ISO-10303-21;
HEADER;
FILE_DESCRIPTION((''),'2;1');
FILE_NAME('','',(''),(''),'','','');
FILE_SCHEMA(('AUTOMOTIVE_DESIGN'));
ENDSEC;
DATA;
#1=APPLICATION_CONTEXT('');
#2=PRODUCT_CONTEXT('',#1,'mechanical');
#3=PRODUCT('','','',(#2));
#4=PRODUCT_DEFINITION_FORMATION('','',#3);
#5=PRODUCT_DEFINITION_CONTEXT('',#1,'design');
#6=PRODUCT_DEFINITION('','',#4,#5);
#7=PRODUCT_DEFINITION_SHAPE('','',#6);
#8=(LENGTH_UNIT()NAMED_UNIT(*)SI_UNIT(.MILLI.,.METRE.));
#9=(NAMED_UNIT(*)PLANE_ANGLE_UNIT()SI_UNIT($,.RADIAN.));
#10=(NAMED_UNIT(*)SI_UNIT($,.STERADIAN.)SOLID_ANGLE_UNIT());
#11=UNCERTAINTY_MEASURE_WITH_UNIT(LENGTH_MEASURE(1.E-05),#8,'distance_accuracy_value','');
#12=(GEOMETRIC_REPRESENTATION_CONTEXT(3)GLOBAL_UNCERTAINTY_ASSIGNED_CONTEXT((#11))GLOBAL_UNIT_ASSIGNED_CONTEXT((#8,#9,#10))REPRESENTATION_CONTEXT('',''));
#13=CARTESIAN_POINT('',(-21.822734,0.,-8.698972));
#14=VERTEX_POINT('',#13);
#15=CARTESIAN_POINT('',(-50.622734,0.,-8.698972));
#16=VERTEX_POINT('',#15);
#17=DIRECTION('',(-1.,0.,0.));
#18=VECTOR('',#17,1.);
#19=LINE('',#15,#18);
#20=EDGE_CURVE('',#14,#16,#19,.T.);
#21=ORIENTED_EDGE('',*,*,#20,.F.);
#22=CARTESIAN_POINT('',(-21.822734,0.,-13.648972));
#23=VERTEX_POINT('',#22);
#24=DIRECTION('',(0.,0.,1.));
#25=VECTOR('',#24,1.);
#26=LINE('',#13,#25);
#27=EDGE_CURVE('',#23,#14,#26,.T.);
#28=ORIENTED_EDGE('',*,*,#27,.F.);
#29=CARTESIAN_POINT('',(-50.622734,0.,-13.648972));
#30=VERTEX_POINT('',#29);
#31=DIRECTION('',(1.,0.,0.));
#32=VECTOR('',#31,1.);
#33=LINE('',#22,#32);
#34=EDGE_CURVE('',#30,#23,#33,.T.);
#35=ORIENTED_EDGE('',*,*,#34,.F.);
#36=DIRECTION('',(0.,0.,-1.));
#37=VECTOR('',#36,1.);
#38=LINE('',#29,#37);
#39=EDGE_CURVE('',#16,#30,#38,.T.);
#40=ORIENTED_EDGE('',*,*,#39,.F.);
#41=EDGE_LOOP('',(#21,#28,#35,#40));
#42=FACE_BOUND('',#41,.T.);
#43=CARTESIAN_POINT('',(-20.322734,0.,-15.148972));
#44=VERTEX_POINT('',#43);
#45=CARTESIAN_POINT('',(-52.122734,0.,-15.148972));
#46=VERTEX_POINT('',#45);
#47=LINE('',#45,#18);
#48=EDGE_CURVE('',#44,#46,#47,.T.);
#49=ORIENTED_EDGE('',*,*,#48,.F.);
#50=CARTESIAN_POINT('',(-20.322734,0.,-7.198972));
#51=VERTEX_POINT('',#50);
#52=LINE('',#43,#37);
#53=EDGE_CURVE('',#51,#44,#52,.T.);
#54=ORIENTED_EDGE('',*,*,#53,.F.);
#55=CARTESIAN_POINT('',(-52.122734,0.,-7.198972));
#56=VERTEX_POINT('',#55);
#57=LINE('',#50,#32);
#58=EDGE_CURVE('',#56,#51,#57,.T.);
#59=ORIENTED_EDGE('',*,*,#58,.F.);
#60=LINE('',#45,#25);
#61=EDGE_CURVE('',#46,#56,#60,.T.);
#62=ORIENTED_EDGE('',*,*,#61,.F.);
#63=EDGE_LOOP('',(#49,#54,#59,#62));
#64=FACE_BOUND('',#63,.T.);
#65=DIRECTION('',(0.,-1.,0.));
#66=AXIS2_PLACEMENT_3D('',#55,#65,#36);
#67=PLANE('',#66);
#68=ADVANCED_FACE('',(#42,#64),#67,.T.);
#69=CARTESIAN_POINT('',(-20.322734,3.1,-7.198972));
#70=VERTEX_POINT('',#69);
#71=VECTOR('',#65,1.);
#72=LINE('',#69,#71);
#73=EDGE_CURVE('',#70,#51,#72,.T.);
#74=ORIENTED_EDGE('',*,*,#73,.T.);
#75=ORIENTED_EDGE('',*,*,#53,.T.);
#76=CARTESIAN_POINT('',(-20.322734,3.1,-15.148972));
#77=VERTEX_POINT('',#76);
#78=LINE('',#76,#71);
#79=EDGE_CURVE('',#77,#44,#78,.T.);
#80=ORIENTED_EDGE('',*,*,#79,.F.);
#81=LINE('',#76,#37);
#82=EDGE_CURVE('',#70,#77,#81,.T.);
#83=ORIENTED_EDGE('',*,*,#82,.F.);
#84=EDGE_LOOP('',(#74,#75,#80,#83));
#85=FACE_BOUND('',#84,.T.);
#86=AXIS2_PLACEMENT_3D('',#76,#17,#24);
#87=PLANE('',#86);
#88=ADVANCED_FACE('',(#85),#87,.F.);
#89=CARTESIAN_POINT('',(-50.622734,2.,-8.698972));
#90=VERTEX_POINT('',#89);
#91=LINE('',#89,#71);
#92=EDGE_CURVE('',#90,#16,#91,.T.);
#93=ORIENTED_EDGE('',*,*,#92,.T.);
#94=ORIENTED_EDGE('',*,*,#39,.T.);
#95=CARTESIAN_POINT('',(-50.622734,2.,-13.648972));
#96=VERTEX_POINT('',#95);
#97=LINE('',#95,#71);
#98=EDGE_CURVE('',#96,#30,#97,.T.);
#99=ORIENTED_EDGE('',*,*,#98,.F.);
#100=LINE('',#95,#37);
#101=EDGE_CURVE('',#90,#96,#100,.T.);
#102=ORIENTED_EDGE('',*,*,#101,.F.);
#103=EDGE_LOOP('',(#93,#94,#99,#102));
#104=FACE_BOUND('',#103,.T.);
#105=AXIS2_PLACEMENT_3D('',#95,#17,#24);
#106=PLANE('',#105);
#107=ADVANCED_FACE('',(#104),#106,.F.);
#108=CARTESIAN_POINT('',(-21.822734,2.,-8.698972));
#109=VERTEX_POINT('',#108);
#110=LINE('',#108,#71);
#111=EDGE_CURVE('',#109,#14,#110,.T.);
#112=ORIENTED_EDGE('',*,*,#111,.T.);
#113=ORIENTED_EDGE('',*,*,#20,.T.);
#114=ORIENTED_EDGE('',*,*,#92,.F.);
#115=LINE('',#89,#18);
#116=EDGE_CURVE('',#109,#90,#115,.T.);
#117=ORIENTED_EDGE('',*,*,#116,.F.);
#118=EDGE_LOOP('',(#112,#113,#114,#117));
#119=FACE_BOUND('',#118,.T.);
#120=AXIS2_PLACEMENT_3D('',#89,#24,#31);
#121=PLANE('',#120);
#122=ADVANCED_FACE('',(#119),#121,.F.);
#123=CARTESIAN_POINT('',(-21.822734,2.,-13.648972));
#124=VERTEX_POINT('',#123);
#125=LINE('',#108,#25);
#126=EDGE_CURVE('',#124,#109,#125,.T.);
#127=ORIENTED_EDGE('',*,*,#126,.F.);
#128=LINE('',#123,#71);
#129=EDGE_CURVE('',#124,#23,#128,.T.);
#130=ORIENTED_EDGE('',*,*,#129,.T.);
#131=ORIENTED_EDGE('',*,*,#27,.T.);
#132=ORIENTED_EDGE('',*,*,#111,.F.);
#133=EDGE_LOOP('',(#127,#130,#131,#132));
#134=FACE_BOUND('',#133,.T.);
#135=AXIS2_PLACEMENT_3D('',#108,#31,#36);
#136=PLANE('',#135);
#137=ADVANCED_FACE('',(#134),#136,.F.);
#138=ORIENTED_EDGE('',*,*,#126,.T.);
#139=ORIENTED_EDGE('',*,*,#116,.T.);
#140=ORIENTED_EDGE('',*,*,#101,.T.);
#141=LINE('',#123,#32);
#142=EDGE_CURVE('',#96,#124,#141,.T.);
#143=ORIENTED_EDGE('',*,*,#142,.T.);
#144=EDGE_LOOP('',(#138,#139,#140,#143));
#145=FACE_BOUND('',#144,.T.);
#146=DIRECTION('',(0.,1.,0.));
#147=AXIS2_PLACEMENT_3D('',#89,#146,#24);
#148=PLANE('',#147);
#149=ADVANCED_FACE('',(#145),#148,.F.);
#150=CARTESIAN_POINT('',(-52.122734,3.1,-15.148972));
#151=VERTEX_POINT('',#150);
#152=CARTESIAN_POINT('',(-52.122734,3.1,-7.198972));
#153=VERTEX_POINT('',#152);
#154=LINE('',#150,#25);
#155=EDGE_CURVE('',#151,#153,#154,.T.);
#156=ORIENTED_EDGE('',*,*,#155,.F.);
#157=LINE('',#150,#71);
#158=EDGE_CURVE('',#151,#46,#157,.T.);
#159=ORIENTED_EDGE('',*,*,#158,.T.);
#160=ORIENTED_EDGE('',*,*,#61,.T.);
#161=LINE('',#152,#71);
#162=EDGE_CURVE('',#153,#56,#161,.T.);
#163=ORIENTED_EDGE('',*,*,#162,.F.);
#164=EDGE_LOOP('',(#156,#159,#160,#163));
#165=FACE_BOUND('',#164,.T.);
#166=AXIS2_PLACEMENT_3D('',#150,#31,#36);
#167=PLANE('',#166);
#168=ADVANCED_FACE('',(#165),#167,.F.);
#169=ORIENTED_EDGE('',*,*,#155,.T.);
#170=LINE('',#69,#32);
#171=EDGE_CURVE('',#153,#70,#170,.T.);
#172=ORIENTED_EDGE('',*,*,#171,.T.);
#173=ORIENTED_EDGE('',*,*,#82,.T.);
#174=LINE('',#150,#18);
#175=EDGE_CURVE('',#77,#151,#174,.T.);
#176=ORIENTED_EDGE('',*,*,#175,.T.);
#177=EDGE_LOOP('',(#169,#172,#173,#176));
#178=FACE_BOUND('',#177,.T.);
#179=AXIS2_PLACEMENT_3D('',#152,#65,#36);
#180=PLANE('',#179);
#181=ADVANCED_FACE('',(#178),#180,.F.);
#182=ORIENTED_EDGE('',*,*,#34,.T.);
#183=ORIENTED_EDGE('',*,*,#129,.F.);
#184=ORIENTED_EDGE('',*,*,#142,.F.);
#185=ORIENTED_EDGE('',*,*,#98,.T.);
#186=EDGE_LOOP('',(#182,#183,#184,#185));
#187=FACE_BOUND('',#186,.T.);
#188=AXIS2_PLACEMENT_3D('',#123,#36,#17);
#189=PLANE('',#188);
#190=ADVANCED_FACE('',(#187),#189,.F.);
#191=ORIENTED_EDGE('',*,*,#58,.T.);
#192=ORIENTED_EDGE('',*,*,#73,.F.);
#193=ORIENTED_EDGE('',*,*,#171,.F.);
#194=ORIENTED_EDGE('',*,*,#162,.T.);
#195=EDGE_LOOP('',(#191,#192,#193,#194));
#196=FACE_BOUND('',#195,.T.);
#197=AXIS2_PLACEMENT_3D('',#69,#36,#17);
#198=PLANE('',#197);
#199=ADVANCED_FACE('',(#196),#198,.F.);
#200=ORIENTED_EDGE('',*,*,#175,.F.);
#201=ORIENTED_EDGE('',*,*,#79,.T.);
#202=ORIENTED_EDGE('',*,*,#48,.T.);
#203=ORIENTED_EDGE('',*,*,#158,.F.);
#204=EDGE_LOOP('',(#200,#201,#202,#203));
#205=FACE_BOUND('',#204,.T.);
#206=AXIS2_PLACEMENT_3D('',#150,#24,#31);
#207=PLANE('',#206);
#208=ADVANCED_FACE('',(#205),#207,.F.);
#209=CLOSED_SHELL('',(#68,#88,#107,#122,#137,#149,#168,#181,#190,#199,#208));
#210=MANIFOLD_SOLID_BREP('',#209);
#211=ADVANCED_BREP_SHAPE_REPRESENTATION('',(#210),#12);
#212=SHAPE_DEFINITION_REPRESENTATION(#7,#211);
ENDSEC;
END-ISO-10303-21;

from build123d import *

# Parameters (mm, degrees)
SKETCH2_W           = 31.8
SKETCH2_H           = 7.95
BOSS_EXTRUDE1_DEPTH = 3.1
SKETCH3_W           = 28.8
SKETCH3_H           = 4.95
CUT_EXTRUDE1_DEPTH  = 2


with BuildPart() as part:
    # Sketch2 → Boss-Extrude1 (new body)
    with BuildSketch(Plane(origin=(0, 0, 0), x_dir=(1, 0, 0), z_dir=(0, 1, 0))):
        with Locations((-36.222734312, 11.173972041)):
            Rectangle(SKETCH2_W, SKETCH2_H)
    extrude(amount=BOSS_EXTRUDE1_DEPTH)

    # Sketch3 → Cut-Extrude1 (cut)
    with BuildSketch(Plane.XZ):
        with Locations((-36.222734312, -11.173972041)):
            Rectangle(SKETCH3_W, SKETCH3_H)
    extrude(amount=-CUT_EXTRUDE1_DEPTH, mode=Mode.SUBTRACT)


solid = part.part
